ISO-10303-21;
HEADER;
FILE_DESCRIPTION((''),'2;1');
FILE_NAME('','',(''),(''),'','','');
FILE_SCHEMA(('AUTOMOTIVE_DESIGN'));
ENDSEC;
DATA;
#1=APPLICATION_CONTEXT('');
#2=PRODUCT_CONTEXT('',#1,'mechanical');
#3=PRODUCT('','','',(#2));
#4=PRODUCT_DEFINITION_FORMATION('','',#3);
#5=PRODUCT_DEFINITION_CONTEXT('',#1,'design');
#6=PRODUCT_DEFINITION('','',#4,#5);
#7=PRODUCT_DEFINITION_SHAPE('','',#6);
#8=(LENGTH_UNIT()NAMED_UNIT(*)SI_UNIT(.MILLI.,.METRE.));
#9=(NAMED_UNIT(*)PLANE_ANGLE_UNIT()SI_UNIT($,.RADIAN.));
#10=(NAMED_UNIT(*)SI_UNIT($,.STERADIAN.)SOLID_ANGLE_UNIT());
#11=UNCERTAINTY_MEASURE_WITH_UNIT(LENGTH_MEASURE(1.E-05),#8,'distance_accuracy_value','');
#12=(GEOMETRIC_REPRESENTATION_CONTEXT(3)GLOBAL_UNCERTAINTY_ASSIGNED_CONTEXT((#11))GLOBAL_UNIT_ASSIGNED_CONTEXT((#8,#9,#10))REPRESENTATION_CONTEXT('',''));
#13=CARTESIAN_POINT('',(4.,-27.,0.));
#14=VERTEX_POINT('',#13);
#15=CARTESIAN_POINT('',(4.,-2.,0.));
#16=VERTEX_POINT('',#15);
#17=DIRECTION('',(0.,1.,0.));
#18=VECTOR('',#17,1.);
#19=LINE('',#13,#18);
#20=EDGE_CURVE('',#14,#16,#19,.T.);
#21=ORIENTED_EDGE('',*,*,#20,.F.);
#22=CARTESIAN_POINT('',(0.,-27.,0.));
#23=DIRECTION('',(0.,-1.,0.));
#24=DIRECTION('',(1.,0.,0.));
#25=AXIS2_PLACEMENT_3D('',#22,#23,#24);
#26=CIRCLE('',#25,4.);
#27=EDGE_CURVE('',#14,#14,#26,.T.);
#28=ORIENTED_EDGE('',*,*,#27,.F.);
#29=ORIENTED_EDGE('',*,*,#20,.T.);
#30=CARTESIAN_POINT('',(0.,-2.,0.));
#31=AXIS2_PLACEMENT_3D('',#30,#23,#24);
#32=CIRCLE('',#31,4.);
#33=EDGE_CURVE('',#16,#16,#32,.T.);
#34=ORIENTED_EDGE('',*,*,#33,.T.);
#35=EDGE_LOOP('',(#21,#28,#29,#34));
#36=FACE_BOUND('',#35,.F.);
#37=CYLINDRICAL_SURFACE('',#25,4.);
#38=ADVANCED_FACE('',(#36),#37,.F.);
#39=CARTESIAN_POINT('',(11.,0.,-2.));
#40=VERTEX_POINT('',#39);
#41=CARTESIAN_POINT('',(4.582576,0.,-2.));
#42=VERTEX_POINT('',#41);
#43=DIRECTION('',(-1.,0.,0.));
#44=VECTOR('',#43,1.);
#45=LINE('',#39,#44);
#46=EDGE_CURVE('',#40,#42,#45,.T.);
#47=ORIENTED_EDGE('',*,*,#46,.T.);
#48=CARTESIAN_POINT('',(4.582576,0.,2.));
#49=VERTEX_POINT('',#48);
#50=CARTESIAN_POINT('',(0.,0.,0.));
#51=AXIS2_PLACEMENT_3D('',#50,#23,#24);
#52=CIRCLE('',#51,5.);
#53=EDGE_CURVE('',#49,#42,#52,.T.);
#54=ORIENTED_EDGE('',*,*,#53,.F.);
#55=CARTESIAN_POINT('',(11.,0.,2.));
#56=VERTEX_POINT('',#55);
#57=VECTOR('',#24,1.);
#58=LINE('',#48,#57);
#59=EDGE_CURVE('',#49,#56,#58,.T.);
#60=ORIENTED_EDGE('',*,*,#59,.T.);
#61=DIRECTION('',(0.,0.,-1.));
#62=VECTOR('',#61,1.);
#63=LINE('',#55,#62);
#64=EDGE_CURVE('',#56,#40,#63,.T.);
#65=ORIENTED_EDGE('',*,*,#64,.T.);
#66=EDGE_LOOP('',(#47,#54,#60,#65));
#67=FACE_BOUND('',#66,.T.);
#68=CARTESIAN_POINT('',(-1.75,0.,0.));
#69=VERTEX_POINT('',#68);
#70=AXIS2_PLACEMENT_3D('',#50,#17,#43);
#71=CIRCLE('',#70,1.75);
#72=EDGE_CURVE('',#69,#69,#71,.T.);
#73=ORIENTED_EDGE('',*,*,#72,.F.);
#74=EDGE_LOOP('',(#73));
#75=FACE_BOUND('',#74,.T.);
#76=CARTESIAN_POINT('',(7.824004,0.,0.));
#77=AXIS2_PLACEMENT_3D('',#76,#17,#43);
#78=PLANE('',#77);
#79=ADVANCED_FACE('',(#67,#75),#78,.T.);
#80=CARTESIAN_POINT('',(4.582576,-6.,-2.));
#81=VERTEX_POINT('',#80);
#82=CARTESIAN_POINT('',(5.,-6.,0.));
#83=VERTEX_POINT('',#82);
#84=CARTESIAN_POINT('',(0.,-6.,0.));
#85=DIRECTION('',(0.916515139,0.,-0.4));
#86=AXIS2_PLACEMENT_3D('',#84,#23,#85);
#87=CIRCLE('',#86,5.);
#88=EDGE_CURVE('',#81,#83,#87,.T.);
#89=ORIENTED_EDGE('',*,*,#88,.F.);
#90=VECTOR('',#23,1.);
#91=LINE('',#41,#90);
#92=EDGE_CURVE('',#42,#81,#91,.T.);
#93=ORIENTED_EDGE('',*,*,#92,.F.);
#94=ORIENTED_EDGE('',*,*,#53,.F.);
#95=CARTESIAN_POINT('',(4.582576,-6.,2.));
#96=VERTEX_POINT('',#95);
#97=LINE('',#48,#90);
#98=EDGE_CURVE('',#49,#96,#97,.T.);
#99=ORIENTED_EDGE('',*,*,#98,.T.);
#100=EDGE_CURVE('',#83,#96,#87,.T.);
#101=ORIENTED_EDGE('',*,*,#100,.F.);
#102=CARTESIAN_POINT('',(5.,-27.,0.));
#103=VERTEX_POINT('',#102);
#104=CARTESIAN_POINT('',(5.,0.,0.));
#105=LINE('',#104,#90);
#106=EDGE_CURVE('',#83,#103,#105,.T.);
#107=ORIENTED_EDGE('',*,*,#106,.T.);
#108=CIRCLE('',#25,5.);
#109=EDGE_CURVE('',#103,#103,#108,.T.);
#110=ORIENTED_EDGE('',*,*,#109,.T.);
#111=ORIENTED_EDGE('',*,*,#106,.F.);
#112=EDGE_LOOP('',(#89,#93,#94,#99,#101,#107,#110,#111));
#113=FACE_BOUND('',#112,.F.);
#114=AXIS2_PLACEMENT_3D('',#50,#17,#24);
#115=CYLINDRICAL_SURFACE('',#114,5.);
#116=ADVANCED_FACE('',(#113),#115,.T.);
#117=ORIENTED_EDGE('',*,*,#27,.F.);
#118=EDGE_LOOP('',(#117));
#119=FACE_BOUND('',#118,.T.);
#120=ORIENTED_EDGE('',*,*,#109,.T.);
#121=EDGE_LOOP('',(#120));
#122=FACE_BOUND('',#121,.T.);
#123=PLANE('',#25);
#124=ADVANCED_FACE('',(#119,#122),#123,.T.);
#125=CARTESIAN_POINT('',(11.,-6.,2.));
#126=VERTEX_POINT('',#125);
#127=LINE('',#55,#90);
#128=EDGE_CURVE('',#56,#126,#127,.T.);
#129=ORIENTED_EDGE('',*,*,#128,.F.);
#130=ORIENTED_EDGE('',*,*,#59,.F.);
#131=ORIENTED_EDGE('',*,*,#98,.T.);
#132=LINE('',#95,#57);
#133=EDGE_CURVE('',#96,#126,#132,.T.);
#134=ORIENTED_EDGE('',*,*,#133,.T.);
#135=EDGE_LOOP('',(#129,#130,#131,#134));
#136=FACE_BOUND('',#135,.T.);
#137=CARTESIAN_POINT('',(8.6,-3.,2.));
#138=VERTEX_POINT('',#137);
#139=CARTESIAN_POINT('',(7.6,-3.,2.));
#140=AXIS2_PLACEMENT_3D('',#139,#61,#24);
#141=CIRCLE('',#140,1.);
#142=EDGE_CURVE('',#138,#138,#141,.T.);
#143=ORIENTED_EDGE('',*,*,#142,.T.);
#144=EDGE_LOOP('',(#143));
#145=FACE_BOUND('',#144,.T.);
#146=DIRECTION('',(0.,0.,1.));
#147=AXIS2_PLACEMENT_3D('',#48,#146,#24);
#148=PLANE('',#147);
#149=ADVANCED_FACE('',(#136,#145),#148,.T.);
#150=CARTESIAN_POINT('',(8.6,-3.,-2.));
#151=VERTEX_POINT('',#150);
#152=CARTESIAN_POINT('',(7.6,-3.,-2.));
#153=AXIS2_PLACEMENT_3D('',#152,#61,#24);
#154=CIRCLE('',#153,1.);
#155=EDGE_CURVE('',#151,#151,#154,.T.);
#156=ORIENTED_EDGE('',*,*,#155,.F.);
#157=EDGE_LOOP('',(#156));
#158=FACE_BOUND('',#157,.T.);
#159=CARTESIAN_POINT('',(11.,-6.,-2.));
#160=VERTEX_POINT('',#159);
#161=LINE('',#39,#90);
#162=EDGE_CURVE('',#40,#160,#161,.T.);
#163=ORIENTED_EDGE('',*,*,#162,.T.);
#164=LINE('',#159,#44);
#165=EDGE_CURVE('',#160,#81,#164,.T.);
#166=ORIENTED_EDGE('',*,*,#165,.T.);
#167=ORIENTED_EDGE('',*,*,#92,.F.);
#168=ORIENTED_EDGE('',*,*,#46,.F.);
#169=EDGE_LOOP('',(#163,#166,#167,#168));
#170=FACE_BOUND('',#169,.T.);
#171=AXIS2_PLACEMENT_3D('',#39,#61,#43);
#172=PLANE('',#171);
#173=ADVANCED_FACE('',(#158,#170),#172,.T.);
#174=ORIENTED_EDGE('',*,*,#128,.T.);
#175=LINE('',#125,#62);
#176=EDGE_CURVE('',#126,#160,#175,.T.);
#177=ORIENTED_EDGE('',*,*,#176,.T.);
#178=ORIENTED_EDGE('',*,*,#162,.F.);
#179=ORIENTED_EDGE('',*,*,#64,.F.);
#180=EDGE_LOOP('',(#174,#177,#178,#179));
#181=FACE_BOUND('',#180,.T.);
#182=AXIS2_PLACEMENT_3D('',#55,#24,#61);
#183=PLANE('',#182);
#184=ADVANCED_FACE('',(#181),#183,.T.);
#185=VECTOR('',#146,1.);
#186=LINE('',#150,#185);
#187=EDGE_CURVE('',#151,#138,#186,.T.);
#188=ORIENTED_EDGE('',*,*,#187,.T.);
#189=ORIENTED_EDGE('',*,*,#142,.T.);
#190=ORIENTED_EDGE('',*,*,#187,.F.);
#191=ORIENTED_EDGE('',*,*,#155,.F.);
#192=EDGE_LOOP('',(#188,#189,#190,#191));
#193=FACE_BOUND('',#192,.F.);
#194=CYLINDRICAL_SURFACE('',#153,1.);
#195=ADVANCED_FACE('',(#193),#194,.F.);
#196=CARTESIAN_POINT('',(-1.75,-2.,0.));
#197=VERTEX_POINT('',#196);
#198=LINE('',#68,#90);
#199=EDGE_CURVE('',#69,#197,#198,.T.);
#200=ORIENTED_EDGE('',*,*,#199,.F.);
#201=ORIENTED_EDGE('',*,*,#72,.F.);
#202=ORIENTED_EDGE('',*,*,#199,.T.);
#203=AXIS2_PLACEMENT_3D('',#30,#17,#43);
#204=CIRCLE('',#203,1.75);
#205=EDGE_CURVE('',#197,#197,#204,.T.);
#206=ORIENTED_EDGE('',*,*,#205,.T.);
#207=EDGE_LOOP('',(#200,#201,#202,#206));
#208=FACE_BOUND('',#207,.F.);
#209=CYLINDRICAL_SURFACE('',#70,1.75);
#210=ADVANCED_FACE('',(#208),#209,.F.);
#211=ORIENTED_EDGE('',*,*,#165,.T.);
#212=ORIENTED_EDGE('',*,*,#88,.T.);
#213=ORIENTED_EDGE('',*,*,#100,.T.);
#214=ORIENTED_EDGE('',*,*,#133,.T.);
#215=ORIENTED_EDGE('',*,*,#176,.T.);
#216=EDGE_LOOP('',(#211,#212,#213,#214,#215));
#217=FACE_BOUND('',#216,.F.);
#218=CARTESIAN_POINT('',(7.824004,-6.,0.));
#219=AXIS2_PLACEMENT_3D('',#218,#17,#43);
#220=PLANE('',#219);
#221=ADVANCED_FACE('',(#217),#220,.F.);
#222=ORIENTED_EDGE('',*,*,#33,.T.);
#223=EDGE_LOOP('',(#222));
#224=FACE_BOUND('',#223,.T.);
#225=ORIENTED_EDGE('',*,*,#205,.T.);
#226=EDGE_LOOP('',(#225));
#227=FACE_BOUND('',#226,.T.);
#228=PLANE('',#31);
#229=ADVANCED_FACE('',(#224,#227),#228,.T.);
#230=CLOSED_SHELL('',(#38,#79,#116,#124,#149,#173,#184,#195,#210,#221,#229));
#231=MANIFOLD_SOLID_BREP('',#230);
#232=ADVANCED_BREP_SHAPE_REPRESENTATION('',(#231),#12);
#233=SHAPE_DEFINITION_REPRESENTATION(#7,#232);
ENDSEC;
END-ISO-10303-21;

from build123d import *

# Parameters (mm, degrees)
F0_R     = 5
F1_DEPTH = 27
F2_R     = 4
F3_DEPTH = 25
F4_R     = 1.75
F5_DEPTH = 25
F7_DEPTH = 6
F8_R     = 1
F9_DEPTH = 25


with BuildPart() as f1:
    # F0 (on Front) → F1 (new body)
    with BuildSketch(Plane.XZ):
        Circle(F0_R)
    extrude(amount=F1_DEPTH)

    # F2 (on face) → F3 (cut)
    with BuildSketch(Plane.XZ.offset(27)):
        Circle(F2_R)
    extrude(amount=-F3_DEPTH, mode=Mode.SUBTRACT)

    # F4 (on face) → F5 (cut)
    with BuildSketch(Plane(origin=(0, 0, 0), x_dir=(-1, 0, 0), z_dir=(0, 1, 0))):
        Circle(F4_R)
    extrude(amount=-F5_DEPTH, mode=Mode.SUBTRACT)

    # F6 (on face) → F7 (join)
    with BuildSketch(Plane(origin=(0, 0, 0), x_dir=(-1, 0, 0), z_dir=(0, 1, 0))):
        with BuildLine():
            Line((-11, -2), (-4.582575695, -2))
            ThreePointArc((-4.582575695, -2), (-5, 0), (-4.582575695, 2))
            Line((-4.582575695, 2), (-11, 2))
            Line((-11, 2), (-11, -2))
        make_face()
    extrude(amount=-F7_DEPTH)

    # F8 (on face) → F9 (cut)
    with BuildSketch(Plane(origin=(0, 0, -2), x_dir=(1, 0, 0), z_dir=(0, 0, -1))):
        with Locations((7.6, 3)):
            Circle(F8_R)
    extrude(amount=-F9_DEPTH, mode=Mode.SUBTRACT)


solid = f1.part
